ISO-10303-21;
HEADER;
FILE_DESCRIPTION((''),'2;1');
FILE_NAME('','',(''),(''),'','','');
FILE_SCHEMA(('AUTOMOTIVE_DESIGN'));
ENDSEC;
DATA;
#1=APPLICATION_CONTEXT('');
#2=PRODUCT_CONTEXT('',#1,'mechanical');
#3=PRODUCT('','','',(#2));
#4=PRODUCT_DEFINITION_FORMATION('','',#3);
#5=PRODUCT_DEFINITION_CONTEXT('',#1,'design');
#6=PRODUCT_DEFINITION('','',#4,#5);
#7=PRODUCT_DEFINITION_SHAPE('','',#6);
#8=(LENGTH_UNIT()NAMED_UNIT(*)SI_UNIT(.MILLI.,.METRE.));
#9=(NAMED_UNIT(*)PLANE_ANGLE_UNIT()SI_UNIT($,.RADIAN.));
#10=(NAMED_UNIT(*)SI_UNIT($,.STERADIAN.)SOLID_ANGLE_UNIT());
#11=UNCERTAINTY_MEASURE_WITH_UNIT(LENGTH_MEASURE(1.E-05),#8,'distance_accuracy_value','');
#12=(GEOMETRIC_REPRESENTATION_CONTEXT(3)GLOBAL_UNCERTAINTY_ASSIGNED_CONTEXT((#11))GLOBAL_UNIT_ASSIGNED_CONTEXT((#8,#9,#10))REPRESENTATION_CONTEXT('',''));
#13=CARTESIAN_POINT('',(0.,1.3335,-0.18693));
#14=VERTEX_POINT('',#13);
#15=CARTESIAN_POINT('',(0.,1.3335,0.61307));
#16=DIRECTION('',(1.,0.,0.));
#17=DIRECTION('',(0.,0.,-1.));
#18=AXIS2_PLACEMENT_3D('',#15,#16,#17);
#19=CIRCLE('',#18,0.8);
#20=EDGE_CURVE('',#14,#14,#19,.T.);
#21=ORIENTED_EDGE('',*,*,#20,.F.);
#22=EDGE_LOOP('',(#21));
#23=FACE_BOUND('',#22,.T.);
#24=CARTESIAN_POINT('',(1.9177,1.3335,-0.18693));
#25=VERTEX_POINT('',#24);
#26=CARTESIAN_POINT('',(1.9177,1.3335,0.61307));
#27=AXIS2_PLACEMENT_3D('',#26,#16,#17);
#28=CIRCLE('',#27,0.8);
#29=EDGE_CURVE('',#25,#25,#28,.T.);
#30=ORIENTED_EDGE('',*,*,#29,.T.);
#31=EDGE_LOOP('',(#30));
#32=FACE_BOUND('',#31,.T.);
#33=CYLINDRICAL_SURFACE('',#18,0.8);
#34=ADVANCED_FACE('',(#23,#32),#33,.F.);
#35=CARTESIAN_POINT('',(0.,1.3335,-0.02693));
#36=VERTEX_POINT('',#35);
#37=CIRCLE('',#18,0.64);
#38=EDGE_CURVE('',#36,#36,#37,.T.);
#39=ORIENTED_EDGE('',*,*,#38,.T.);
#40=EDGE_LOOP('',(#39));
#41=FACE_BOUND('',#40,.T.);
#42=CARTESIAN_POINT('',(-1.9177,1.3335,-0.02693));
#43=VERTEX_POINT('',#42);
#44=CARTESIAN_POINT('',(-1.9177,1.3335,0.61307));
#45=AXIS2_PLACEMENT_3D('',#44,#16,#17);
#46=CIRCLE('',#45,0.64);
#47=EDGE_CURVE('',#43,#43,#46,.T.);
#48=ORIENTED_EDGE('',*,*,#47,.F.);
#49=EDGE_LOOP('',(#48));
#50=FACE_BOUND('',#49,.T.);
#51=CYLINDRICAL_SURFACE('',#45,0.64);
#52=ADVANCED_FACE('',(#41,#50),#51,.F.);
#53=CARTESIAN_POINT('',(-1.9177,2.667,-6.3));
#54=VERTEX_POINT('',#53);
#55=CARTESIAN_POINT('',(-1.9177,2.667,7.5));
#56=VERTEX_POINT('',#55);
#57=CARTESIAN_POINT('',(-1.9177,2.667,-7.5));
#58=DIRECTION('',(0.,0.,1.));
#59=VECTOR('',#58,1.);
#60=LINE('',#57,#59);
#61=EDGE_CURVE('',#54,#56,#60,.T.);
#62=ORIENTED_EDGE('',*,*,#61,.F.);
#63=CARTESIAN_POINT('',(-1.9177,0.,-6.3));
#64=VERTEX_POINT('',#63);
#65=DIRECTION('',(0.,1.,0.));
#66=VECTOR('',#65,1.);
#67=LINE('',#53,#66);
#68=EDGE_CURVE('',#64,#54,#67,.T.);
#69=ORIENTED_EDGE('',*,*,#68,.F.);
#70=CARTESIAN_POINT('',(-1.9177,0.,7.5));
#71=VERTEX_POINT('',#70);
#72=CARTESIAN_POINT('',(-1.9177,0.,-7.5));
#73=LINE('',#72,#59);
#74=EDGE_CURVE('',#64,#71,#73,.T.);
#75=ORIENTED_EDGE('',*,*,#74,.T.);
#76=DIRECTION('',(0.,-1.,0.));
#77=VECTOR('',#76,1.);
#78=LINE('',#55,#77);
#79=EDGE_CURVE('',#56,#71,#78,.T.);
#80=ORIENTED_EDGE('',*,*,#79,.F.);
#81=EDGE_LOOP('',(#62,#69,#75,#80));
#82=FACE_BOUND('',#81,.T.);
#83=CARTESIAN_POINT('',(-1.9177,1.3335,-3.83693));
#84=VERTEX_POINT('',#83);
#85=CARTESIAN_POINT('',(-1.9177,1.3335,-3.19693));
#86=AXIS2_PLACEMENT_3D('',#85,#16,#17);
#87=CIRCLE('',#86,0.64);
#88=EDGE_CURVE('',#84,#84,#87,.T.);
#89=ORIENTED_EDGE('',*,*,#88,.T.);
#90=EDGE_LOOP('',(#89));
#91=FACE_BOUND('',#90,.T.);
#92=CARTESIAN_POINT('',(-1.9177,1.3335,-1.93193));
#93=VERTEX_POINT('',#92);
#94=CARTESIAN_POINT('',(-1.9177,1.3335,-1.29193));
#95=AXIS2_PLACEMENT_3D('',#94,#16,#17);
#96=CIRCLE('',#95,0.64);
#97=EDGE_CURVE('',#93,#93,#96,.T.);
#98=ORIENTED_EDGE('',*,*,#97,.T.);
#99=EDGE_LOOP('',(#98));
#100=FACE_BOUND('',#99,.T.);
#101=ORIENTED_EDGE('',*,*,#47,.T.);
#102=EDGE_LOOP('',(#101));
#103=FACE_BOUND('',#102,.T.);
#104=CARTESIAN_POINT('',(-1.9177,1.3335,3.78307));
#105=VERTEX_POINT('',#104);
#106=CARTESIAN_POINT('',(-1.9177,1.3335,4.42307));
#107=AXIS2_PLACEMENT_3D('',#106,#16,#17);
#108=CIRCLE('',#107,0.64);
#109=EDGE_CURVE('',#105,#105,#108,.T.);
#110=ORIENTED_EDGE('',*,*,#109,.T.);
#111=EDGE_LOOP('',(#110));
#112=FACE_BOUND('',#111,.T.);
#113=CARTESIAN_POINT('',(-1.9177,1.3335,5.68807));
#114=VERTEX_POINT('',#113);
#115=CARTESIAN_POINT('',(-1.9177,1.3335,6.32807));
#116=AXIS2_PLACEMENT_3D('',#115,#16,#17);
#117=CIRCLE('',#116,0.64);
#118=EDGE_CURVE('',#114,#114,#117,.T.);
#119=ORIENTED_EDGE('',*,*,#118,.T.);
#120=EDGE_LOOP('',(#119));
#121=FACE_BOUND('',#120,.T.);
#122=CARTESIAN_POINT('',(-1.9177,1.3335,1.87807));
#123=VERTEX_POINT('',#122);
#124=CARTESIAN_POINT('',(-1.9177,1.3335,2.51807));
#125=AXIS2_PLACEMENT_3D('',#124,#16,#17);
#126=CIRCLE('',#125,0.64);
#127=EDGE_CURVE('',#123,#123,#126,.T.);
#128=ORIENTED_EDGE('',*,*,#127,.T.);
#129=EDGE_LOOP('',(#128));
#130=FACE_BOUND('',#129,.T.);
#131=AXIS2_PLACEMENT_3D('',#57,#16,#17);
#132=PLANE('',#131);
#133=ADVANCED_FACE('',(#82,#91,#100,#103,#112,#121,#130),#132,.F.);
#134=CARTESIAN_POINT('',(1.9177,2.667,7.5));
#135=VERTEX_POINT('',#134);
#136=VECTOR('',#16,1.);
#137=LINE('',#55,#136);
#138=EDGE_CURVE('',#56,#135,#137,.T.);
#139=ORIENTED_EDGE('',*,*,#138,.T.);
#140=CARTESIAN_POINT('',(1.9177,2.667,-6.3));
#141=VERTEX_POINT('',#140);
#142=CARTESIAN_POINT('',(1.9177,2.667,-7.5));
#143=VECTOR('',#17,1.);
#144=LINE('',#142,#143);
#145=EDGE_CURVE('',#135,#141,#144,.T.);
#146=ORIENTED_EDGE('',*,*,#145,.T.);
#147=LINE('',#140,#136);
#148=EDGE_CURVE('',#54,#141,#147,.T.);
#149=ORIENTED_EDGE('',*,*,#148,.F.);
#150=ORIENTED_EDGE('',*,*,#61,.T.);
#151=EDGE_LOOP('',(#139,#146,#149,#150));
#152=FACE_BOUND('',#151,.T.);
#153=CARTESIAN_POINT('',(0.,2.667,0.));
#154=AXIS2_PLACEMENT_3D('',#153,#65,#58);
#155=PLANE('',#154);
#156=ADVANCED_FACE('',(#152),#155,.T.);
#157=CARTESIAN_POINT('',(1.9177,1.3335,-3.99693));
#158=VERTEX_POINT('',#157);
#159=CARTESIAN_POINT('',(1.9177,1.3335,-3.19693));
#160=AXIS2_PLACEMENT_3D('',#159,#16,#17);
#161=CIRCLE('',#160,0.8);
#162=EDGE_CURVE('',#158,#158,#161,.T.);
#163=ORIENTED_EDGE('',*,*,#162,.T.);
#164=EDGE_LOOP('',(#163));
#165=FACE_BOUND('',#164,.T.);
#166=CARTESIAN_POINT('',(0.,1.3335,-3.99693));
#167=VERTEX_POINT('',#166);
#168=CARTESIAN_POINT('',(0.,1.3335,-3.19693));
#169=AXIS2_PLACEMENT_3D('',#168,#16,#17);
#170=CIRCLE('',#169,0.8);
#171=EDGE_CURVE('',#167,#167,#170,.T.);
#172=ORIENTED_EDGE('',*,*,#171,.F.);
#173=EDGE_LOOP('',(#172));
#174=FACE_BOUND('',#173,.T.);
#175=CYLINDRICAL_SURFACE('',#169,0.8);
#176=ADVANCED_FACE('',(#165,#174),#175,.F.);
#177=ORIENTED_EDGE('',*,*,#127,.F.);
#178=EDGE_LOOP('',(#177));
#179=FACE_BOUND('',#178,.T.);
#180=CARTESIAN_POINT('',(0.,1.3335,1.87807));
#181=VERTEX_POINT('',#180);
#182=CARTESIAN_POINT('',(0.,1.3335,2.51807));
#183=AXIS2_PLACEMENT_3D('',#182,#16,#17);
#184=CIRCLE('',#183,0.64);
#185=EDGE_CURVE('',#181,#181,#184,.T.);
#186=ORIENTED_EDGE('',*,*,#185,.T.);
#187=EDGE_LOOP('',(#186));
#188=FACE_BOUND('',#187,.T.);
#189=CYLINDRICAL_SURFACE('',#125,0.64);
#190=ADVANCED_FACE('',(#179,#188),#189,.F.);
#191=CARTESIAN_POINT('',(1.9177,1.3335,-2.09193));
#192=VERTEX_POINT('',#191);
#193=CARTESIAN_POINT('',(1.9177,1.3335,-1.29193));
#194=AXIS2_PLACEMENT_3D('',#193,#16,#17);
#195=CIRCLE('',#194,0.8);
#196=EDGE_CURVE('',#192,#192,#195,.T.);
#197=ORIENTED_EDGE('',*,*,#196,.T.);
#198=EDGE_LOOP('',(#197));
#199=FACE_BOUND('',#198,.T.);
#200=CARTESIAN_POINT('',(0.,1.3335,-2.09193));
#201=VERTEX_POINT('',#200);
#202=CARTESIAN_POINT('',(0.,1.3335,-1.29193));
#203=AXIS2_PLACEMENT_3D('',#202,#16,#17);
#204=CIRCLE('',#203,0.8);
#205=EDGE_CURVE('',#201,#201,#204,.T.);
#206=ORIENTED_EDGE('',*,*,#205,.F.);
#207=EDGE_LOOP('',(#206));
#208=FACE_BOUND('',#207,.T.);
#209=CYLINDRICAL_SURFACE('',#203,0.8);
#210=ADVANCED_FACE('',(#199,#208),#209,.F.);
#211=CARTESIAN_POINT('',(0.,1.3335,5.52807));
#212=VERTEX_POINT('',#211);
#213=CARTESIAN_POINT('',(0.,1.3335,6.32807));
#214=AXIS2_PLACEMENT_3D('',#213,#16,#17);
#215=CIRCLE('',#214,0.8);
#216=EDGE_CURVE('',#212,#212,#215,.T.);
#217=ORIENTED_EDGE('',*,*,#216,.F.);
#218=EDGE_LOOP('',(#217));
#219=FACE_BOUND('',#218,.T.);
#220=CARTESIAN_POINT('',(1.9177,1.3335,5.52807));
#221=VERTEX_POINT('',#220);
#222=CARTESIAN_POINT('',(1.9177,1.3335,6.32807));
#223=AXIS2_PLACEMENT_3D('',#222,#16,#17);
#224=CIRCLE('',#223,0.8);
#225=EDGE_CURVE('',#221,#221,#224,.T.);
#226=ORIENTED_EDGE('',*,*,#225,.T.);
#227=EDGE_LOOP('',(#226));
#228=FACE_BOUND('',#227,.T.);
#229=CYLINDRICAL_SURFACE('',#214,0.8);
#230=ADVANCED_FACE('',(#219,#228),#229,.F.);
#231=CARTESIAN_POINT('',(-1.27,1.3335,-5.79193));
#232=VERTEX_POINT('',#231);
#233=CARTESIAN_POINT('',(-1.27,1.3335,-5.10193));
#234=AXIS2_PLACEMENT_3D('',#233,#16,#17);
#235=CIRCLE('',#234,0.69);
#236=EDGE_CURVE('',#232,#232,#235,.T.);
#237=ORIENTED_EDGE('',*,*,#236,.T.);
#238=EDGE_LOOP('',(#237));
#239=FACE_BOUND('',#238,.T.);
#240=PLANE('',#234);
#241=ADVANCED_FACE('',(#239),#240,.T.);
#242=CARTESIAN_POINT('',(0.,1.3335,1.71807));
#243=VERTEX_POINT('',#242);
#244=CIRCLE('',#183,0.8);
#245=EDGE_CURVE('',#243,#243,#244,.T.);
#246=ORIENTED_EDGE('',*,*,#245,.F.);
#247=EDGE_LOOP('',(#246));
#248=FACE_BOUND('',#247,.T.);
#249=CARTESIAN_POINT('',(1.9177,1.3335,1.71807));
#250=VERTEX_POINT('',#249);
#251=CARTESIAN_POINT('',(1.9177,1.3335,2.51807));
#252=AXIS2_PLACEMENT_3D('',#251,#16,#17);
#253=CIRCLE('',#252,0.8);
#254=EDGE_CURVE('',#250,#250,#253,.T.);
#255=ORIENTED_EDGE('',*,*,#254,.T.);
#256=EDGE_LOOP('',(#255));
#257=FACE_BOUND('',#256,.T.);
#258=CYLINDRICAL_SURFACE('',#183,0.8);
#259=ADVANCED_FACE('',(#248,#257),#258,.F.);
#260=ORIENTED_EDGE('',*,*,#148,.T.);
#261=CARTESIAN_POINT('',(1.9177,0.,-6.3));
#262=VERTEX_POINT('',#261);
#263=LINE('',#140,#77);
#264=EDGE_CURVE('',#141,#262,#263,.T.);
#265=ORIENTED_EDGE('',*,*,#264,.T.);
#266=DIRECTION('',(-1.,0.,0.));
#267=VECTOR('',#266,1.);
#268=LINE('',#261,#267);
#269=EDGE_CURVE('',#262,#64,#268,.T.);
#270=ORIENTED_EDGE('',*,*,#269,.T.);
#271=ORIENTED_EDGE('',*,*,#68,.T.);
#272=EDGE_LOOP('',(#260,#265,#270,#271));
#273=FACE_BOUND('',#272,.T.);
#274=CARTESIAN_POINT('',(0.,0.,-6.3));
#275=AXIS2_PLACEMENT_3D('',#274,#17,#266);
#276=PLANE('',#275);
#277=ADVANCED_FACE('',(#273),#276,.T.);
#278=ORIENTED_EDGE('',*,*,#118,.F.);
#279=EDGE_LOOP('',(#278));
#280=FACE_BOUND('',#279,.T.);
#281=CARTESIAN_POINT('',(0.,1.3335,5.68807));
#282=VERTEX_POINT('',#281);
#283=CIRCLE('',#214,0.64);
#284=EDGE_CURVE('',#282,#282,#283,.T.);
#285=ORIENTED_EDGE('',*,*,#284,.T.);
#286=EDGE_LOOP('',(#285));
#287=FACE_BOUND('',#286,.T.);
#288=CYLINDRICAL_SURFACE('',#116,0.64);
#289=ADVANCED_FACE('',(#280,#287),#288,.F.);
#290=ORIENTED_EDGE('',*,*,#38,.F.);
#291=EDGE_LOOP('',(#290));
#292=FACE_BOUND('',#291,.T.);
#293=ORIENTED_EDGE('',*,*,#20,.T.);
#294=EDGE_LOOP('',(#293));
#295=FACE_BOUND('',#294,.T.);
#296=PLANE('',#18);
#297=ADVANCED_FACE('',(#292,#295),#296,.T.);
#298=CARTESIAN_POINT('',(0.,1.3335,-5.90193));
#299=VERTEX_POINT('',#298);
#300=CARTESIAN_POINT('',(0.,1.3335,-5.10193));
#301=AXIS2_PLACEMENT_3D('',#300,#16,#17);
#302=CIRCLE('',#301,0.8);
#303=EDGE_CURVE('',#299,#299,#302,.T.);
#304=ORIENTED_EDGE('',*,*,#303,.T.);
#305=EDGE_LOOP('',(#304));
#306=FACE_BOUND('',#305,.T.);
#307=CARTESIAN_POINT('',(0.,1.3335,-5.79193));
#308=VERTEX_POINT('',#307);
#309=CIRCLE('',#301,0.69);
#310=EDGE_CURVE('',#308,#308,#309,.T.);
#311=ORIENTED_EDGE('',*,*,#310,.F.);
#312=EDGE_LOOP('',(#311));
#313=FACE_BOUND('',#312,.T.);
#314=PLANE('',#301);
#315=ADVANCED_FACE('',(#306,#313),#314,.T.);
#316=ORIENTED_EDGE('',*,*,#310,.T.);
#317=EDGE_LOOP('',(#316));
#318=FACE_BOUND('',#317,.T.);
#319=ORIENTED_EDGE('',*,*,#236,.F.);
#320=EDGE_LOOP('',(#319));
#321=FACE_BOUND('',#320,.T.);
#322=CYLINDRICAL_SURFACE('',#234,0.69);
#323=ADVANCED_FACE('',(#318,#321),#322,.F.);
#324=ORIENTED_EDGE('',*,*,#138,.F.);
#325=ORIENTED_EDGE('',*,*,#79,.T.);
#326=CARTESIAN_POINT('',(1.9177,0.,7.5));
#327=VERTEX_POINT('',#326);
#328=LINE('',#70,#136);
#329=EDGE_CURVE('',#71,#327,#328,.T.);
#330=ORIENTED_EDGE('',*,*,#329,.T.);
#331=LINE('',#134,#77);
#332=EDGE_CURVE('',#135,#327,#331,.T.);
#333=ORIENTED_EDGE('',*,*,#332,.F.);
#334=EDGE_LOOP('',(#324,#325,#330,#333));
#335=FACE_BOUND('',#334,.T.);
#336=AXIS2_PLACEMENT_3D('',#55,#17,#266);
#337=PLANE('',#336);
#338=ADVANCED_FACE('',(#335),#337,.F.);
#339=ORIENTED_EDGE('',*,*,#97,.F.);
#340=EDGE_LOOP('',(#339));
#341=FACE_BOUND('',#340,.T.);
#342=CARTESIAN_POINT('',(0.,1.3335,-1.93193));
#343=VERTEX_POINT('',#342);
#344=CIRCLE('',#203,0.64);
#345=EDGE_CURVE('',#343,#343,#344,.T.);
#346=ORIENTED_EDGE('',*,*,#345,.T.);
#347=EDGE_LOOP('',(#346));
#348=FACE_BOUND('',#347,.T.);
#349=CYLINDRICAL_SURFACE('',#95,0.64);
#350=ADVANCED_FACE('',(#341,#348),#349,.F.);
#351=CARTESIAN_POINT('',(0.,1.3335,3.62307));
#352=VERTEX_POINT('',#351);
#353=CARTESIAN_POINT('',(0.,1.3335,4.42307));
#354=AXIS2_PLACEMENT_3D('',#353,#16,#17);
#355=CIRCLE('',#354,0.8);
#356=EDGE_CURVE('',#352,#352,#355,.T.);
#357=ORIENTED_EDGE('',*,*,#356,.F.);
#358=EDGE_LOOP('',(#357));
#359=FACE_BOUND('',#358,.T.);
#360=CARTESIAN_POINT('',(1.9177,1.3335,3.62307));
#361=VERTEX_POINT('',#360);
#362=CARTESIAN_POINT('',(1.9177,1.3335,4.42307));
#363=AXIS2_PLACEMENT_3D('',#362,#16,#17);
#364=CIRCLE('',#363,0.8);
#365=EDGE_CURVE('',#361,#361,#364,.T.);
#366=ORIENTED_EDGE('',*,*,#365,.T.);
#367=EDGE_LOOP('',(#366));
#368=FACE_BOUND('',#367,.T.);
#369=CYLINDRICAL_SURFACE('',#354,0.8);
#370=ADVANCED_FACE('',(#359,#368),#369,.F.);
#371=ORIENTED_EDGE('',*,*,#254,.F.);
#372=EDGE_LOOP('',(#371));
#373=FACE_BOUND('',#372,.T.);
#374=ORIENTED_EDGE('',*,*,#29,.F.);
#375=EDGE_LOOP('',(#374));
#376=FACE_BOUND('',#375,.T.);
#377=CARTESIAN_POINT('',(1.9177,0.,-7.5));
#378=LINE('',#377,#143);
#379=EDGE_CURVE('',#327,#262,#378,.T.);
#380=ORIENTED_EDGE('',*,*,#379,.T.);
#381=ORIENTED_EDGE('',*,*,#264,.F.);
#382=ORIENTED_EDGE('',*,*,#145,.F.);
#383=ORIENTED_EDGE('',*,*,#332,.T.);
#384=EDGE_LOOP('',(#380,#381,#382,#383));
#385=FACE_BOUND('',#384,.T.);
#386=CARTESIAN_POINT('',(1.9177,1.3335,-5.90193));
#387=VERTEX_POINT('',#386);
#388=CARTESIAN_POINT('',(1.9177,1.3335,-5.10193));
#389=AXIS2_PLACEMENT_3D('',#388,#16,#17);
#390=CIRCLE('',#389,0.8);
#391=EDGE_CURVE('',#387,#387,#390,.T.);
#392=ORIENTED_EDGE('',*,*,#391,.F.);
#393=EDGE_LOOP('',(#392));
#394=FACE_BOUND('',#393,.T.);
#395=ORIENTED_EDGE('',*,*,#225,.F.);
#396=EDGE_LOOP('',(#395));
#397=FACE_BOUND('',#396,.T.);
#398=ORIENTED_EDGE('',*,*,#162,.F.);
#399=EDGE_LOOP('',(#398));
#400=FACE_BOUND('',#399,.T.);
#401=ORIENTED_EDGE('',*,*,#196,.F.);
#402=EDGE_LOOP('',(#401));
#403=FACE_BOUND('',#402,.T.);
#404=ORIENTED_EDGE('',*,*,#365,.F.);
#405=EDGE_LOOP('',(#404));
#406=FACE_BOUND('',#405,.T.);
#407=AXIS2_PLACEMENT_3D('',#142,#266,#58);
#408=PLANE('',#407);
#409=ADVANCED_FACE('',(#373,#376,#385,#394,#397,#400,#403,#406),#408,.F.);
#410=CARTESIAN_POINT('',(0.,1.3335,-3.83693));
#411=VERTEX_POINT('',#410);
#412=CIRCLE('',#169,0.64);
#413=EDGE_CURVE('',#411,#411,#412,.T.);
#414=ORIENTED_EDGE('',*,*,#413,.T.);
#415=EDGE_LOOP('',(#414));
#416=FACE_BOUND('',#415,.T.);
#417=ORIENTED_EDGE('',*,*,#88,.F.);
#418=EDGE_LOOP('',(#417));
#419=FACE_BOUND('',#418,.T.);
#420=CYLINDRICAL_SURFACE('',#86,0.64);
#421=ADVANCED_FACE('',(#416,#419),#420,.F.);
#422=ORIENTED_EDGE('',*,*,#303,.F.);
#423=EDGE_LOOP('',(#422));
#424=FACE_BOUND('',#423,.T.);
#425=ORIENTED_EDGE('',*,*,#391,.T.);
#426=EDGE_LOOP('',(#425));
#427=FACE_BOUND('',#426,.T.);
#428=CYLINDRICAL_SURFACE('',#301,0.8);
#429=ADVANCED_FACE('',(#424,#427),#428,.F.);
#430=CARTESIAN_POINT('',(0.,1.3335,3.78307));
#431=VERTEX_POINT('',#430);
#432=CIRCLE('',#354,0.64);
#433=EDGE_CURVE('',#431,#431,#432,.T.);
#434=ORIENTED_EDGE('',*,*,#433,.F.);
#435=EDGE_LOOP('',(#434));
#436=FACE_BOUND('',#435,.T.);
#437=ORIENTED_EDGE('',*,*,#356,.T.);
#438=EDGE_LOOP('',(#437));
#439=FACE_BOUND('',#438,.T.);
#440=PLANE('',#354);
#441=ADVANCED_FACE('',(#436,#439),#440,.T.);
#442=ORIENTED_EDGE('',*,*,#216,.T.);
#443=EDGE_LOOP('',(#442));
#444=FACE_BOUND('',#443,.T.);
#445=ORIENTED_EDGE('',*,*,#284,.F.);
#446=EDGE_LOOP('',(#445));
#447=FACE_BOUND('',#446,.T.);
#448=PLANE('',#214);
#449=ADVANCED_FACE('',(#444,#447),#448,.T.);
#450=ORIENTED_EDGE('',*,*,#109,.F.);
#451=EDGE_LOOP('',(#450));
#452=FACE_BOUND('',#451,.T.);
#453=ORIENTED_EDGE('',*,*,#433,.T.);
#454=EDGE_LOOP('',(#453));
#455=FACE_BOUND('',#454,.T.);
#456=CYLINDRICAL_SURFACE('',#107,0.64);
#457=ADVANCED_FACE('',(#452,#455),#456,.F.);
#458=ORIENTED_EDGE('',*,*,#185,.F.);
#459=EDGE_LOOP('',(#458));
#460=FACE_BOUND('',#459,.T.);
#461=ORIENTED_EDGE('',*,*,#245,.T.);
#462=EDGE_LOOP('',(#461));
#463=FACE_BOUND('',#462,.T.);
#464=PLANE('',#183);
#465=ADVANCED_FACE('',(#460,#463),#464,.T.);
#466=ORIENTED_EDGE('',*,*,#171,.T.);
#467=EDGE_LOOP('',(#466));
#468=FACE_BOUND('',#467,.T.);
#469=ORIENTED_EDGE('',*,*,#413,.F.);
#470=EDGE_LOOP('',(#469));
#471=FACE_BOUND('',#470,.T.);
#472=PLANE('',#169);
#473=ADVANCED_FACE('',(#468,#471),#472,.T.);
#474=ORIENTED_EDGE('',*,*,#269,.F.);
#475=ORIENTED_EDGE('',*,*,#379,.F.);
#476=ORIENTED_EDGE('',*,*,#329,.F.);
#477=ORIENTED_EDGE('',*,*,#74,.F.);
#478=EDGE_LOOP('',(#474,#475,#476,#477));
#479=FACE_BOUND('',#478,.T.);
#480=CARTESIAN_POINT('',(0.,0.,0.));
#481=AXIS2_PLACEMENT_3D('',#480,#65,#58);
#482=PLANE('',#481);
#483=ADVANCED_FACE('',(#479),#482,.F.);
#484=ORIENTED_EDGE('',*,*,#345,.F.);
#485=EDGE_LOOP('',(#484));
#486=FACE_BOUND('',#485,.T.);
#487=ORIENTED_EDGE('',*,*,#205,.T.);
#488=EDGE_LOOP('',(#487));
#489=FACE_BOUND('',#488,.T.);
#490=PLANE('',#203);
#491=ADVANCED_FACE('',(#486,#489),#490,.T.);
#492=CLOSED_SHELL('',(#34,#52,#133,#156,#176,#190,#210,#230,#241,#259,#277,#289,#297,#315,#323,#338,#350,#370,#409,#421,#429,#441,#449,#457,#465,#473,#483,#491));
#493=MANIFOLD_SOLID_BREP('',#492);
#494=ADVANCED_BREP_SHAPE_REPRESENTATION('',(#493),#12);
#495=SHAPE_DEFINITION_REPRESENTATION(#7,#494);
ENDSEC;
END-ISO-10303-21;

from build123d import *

# Parameters (mm, degrees)
SKETCH1_W           = 3.8354
SKETCH1_H           = 15
BOSS_EXTRUDE1_DEPTH = 2.667
SKETCH4_R           = 0.8
CUT_EXTRUDE1_DEPTH  = 1.9177
SKETCH5_R           = 0.64
CUT_EXTRUDE2_DEPTH  = 2.9177
SKETCH6_R           = 0.69
CUT_EXTRUDE3_DEPTH  = 1.27
SKETCH9_W           = 3.8354
SKETCH9_H           = 2.667
CUT_EXTRUDE5_DEPTH  = 1.2


with BuildPart() as part:
    # Sketch1 → Boss-Extrude1 (new body)
    with BuildSketch(Plane(origin=(0, 0, 0), x_dir=(1, 0, 0), z_dir=(0, 1, 0))):
        Rectangle(SKETCH1_W, SKETCH1_H)
    extrude(amount=BOSS_EXTRUDE1_DEPTH)

    # Sketch4 → Cut-Extrude1 (cut)
    with BuildSketch(Plane(origin=(1.9177, 0, 0), x_dir=(0, 0, -1), z_dir=(1, 0, 0))):
        with Locations((-6.328069737, 1.3335)):
            Circle(SKETCH4_R)
        with Locations((-4.423069737, 1.3335)):
            Circle(SKETCH4_R)
        with Locations((-2.518069737, 1.3335)):
            Circle(SKETCH4_R)
        with Locations((-0.613069737, 1.3335)):
            Circle(SKETCH4_R)
        with Locations((1.291930263, 1.3335)):
            Circle(SKETCH4_R)
        with Locations((3.196930263, 1.3335)):
            Circle(SKETCH4_R)
        with Locations((5.101930263, 1.3335)):
            Circle(SKETCH4_R)
    extrude(amount=-CUT_EXTRUDE1_DEPTH, mode=Mode.SUBTRACT)

    # Sketch5 → Cut-Extrude2 (cut, through all)
    with BuildSketch(Plane(origin=(0, 0, 0), x_dir=(0, 0, -1), z_dir=(1, 0, 0))):
        with Locations((-6.328069737, 1.3335)):
            Circle(SKETCH5_R)
        with Locations((-4.423069737, 1.3335)):
            Circle(SKETCH5_R)
        with Locations((-2.518069737, 1.3335)):
            Circle(SKETCH5_R)
        with Locations((-0.613069737, 1.3335)):
            Circle(SKETCH5_R)
        with Locations((1.291930263, 1.3335)):
            Circle(SKETCH5_R)
        with Locations((3.196930263, 1.3335)):
            Circle(SKETCH5_R)
    extrude(amount=-CUT_EXTRUDE2_DEPTH, mode=Mode.SUBTRACT)

    # Sketch6 → Cut-Extrude3 (cut)
    with BuildSketch(Plane(origin=(0, 0, 0), x_dir=(0, 0, -1), z_dir=(1, 0, 0))):
        with Locations((5.101930263, 1.3335)):
            Circle(SKETCH6_R)
    extrude(amount=-CUT_EXTRUDE3_DEPTH, mode=Mode.SUBTRACT)

    # Sketch9 → Cut-Extrude5 (cut)
    with BuildSketch(Plane(origin=(0, 0, -7.5), x_dir=(-1, 0, 0), z_dir=(0, 0, -1))):
        with Locations((0, 1.3335)):
            Rectangle(SKETCH9_W, SKETCH9_H)
    extrude(amount=-CUT_EXTRUDE5_DEPTH, mode=Mode.SUBTRACT)


solid = part.part
